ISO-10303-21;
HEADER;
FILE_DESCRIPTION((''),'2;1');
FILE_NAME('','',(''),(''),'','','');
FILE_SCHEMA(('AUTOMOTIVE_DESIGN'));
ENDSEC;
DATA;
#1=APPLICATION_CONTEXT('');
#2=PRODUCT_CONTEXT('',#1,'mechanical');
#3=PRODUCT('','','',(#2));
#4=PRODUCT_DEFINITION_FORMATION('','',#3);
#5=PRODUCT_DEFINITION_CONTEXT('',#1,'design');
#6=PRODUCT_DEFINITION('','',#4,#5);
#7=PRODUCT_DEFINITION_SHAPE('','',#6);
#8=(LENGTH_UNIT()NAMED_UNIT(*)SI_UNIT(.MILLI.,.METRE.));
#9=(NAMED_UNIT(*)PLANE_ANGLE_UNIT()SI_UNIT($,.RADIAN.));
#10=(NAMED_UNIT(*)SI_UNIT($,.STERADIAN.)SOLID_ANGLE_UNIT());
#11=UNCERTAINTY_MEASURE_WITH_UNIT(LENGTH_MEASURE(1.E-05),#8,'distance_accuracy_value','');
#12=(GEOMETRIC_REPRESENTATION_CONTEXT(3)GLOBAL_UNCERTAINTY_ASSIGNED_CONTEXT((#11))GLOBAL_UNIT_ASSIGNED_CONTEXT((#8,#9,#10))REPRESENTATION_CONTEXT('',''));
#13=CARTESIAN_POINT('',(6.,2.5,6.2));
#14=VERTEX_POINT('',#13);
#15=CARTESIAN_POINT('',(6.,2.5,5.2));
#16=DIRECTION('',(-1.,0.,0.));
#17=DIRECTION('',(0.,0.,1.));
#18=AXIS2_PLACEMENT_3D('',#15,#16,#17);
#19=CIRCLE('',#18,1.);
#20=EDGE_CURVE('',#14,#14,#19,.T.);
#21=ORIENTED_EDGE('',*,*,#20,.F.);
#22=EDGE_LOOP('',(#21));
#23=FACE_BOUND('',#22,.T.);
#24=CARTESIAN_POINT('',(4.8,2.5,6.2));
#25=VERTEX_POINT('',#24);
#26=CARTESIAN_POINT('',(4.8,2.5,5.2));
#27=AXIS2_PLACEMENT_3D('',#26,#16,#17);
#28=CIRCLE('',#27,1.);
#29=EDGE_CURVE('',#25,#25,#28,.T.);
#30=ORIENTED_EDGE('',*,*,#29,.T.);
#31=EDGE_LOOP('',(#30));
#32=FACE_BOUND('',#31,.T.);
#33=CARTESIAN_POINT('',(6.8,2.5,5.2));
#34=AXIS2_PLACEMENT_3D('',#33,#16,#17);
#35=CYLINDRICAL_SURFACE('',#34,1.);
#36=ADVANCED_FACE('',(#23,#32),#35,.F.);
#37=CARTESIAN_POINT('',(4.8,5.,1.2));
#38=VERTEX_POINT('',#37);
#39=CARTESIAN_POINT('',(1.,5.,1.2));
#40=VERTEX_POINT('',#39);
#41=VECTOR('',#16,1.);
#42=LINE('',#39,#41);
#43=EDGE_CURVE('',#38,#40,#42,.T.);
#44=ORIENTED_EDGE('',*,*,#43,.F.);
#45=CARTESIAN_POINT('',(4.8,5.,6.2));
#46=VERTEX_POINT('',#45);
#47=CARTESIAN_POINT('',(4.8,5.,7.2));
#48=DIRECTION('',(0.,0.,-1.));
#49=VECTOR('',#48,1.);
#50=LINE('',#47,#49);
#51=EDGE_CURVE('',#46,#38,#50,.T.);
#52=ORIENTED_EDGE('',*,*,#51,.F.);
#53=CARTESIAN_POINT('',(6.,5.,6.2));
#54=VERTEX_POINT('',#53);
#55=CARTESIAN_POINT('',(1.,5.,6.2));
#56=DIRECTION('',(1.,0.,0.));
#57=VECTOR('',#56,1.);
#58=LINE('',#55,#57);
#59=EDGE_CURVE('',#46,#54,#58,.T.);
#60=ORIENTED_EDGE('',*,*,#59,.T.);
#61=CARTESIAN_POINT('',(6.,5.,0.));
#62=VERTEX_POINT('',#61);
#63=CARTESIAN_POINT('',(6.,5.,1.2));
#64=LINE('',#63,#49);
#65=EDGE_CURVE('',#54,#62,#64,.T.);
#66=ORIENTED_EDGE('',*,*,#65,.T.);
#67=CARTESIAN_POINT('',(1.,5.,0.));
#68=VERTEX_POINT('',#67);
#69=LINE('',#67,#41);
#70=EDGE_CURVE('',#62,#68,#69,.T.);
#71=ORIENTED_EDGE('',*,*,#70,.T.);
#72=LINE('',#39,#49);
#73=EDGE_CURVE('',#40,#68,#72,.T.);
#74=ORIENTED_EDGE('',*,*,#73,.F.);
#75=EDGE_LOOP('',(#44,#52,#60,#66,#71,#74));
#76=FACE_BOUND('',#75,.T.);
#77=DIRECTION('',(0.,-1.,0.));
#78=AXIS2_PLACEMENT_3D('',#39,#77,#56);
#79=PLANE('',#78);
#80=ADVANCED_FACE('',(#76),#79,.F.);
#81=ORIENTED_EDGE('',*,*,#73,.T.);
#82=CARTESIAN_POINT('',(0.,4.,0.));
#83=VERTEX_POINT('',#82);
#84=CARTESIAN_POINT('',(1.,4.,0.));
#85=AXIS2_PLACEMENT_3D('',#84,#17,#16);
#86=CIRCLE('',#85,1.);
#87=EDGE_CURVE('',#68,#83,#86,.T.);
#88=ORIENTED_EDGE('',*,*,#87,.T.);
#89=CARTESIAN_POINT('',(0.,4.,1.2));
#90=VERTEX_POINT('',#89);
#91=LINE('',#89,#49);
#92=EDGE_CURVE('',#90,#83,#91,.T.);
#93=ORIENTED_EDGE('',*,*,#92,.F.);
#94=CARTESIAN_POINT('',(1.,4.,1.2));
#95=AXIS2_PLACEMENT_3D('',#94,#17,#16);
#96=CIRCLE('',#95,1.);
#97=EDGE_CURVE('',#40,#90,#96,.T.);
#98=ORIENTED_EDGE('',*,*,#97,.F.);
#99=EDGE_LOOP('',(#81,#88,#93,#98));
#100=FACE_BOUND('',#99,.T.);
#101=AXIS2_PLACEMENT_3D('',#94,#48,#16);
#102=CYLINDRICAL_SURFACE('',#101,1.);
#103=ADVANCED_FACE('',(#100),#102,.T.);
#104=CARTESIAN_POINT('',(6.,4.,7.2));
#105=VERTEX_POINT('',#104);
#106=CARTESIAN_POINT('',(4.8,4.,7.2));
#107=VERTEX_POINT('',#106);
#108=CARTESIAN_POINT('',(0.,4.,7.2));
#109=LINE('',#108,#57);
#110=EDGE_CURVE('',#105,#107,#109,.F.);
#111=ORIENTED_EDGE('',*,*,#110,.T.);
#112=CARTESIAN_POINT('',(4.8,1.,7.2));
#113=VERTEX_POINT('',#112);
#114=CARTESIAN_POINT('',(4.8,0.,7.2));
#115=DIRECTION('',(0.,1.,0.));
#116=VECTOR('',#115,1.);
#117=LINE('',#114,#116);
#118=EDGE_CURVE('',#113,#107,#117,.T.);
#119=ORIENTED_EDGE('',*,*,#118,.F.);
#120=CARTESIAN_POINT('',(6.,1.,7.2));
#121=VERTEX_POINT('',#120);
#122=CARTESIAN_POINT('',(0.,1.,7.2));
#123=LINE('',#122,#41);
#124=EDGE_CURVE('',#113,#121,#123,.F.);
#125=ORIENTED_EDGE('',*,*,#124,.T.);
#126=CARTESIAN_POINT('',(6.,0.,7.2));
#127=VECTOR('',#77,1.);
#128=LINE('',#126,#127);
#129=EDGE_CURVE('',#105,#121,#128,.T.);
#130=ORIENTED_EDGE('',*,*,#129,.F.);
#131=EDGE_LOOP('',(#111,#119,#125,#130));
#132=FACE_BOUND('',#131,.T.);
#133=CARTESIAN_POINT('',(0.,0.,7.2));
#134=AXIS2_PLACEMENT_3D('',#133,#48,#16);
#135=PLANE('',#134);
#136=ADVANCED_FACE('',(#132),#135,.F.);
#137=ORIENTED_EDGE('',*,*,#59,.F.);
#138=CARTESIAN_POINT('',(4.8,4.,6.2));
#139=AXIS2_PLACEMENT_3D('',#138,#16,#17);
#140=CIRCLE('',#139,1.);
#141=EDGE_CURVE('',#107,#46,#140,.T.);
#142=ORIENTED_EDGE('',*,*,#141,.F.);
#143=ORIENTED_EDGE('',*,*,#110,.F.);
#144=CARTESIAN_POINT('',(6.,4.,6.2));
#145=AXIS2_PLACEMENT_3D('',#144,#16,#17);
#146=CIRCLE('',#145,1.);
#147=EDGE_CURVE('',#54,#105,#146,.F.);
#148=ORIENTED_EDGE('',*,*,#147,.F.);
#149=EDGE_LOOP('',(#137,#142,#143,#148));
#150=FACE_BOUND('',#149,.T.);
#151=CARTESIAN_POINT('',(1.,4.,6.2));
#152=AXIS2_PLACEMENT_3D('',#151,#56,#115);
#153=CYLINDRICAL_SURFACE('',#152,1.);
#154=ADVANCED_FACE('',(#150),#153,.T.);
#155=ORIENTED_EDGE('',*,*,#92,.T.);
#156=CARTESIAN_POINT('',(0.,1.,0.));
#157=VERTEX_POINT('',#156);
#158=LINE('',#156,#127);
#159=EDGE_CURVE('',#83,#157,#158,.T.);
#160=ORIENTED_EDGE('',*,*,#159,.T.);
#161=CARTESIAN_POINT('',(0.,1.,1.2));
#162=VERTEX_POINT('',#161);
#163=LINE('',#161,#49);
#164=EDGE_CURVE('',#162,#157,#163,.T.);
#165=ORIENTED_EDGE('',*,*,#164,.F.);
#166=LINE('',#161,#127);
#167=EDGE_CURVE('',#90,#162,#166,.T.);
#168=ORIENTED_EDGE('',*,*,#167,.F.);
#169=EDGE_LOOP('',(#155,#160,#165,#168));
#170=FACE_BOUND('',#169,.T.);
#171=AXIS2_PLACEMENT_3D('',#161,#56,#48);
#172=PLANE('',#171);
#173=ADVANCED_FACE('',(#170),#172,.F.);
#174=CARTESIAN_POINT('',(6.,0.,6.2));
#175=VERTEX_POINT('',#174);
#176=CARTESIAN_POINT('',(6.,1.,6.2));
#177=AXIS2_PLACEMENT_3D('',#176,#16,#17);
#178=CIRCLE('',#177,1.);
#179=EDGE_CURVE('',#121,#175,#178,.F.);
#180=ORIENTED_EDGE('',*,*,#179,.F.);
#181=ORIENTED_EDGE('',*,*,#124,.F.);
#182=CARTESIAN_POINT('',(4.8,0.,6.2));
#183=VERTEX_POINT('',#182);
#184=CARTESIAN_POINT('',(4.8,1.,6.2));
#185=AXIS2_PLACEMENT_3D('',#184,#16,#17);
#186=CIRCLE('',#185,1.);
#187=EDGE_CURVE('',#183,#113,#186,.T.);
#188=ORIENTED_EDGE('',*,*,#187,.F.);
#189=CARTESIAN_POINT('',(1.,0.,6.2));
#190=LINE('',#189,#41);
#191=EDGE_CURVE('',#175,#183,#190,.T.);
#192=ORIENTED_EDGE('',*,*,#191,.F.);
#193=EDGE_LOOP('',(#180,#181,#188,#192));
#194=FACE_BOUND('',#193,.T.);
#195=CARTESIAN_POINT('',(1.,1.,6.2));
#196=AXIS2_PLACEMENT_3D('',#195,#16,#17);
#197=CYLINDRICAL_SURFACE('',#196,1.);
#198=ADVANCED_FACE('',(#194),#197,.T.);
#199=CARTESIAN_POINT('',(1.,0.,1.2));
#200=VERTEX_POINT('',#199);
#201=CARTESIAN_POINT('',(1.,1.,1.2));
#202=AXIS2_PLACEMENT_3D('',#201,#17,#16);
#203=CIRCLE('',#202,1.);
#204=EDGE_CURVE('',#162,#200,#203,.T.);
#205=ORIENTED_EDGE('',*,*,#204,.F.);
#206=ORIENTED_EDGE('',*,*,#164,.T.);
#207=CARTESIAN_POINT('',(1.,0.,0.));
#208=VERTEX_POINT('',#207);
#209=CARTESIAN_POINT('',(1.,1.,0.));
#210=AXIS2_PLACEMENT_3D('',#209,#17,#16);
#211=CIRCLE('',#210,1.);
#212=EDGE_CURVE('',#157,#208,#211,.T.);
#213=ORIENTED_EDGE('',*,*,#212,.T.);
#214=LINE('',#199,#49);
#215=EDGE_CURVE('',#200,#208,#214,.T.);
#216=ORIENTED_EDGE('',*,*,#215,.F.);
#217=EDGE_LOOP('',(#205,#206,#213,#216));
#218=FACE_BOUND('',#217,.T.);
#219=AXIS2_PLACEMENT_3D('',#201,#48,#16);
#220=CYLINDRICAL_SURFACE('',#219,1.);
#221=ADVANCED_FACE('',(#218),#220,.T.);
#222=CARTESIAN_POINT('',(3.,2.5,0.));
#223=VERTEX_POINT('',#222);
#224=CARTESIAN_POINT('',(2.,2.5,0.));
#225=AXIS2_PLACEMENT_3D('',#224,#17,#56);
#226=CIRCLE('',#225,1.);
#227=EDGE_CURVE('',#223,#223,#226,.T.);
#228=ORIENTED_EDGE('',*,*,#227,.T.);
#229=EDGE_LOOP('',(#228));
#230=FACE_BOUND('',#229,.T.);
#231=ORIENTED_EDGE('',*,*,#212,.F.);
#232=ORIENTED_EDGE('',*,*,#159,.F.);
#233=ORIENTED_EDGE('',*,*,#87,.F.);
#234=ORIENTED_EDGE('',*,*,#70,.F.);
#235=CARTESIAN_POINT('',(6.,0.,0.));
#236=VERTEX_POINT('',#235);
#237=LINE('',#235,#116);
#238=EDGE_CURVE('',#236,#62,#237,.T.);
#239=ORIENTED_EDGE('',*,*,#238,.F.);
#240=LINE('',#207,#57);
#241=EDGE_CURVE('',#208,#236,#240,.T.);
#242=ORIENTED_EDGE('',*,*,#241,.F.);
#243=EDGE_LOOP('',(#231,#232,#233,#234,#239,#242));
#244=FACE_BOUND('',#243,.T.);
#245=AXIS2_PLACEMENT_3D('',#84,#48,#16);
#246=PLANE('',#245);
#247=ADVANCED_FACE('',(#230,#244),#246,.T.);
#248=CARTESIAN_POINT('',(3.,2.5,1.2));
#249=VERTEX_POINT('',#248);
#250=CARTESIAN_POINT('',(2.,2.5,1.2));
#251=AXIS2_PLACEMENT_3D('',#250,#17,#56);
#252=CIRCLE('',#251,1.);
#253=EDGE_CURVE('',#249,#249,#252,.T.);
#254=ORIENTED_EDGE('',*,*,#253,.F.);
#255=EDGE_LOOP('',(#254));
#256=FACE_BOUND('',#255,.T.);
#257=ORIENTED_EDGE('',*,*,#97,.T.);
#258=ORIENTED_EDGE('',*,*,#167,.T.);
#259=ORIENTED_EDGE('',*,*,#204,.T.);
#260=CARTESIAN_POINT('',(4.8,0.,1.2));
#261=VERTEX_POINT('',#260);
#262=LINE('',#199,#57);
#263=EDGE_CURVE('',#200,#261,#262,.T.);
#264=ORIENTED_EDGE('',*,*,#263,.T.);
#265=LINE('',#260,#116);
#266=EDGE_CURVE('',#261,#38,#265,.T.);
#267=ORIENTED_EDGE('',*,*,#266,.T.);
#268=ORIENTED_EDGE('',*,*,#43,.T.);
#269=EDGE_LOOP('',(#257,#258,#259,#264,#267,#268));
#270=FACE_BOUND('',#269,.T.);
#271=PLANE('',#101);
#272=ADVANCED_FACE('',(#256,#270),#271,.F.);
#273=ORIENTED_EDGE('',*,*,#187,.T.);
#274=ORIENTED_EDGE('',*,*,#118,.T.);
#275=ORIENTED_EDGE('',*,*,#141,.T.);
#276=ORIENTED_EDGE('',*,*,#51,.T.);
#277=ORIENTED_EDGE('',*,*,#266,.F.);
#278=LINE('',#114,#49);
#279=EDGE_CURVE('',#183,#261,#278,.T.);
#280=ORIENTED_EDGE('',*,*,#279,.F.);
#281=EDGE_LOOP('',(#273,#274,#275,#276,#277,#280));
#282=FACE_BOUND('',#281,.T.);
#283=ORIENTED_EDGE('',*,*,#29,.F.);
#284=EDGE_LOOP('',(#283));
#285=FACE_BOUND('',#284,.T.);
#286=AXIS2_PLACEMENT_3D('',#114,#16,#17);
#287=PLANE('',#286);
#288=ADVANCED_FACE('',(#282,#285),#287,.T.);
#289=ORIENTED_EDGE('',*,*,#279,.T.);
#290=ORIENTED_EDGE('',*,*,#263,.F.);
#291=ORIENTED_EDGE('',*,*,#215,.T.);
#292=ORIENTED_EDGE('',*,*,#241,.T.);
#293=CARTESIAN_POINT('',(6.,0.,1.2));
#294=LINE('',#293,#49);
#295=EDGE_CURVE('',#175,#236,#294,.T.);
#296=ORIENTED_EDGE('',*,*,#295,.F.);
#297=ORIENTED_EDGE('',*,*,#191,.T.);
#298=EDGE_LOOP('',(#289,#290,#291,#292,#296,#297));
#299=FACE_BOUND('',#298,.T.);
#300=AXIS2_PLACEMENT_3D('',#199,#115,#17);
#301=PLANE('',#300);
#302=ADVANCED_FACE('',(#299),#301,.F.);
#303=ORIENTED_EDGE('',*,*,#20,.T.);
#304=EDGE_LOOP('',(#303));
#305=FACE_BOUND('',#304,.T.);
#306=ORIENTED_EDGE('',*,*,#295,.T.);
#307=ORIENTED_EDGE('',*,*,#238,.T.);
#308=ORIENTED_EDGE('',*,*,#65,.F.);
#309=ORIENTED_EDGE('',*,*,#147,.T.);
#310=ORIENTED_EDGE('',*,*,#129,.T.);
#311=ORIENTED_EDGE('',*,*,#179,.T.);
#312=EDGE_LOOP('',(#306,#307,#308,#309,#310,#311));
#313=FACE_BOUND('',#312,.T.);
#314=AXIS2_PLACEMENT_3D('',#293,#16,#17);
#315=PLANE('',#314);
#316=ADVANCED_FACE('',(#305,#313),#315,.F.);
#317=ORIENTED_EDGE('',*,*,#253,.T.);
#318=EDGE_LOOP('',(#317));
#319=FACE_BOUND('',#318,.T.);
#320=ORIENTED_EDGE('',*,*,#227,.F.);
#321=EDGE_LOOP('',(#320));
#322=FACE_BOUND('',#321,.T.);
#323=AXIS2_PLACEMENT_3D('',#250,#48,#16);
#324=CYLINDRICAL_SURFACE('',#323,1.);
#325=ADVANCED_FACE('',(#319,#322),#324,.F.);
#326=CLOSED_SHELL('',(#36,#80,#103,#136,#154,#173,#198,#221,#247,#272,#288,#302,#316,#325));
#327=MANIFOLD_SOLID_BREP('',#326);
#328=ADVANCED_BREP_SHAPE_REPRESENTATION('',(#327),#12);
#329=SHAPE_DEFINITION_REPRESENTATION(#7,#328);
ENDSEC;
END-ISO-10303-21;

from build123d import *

# Parameters (mm, degrees)
SKETCH_1_R          = 1
EXTRUDE_1_DEPTH     = 1.2
SKETCH_2_W          = 1.2
SKETCH_2_H          = 5
EXTRUDE_2_DEPTH     = 6
FILLET_1_R          = 1
SKETCH_4_R          = 1
CUT_EXTRUDE_1_DEPTH = 2


with BuildPart() as part:
    # 草图1 → 凸台-拉伸1 (new body)
    with BuildSketch(Plane.XY):
        with BuildLine():
            Line((1, 0), (6, 0))
            Line((6, 0), (6, 5))
            Line((6, 5), (1, 5))
            ThreePointArc((1, 5), (0.292893219, 4.707106781), (0, 4))
            Line((0, 4), (0, 1))
            ThreePointArc((0, 1), (0.292893219, 0.292893219), (1, 0))
        make_face()
        with Locations((2, 2.5)):
            Circle(SKETCH_1_R, mode=Mode.SUBTRACT)
    extrude(amount=EXTRUDE_1_DEPTH)

    # 草图2 → 凸台-拉伸2 (add)
    with BuildSketch(Plane(origin=(0, 0, 1.2), x_dir=(-1, 0, 0), z_dir=(0, 0, -1))):
        with Locations((-5.4, 2.5)):
            Rectangle(SKETCH_2_W, SKETCH_2_H)
    extrude(amount=-EXTRUDE_2_DEPTH)

    # 圆角1
    fillet_1_edges = [part.edges().sort_by_distance(p)[0] for p in [
        (5.4, 0, 7.2),
        (5.4, 5, 7.2),
    ]]
    fillet(fillet_1_edges, radius=FILLET_1_R)

    # 草图4 → 切除-拉伸1 (cut)
    with BuildSketch(Plane.ZY.offset(-4.8)):
        with Locations((5.2, 2.5)):
            Circle(SKETCH_4_R)
    extrude(amount=-CUT_EXTRUDE_1_DEPTH, mode=Mode.SUBTRACT)


solid = part.part
